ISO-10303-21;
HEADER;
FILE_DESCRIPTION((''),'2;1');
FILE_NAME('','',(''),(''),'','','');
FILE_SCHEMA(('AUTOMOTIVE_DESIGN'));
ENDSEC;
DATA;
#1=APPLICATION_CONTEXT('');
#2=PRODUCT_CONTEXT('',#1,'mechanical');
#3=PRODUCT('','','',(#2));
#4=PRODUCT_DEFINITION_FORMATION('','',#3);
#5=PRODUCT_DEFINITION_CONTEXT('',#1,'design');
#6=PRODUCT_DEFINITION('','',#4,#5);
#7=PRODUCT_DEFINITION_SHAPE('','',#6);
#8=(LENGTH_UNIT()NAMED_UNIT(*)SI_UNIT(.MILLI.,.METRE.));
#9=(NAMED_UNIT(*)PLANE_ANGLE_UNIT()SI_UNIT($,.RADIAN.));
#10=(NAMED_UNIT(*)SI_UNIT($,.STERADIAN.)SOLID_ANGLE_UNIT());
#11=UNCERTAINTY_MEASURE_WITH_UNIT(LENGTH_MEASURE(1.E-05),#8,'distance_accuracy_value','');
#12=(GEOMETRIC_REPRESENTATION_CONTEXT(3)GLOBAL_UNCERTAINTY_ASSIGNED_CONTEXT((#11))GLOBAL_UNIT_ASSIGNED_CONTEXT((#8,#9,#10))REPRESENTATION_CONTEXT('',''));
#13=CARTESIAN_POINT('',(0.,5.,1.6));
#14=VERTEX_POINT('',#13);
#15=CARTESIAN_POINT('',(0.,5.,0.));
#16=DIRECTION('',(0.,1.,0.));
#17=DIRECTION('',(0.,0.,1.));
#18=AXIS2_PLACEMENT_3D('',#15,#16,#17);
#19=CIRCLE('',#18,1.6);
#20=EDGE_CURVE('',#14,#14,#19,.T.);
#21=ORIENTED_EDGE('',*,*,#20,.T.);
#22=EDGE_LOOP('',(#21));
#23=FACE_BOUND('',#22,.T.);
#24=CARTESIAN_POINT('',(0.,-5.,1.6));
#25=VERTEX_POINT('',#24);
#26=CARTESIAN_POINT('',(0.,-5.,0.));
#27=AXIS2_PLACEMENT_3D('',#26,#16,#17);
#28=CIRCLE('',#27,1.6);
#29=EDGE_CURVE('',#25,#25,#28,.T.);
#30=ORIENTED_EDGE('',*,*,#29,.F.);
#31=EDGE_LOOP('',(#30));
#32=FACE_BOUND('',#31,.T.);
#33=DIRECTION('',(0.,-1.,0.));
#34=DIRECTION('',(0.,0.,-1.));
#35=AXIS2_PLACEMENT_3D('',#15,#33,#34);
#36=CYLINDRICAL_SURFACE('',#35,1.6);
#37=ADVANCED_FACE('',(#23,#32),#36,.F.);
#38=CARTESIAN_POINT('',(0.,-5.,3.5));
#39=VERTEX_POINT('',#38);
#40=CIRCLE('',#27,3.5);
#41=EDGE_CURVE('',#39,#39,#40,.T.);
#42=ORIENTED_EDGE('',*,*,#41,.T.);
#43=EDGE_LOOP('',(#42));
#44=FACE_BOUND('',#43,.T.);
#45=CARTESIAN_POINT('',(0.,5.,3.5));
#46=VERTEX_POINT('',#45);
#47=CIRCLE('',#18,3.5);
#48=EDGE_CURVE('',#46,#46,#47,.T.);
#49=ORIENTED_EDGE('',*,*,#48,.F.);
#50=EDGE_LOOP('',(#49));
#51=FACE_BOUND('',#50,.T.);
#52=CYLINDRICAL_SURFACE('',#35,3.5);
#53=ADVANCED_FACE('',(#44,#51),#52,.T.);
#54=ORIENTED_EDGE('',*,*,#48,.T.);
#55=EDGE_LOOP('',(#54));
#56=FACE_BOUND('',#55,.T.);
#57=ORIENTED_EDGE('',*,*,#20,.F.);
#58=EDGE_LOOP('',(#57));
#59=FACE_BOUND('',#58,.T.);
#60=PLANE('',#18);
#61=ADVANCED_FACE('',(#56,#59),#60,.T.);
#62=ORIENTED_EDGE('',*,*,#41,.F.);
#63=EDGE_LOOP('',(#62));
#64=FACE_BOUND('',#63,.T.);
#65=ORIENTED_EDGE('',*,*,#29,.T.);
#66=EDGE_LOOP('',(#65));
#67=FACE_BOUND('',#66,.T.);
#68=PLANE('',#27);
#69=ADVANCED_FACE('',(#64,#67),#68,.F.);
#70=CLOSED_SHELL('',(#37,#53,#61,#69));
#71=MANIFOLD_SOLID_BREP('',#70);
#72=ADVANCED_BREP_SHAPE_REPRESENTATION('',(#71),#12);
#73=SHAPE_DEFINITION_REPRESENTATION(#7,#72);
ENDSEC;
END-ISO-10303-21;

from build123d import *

# Parameters (mm, degrees)
SKETCH1_R           = 3.5
SKETCH1_R_2         = 1.6
BOSS_EXTRUDE1_DEPTH = 5


with BuildPart() as part:
    # Sketch1 → Boss-Extrude1 (new body, symmetric)
    with BuildSketch(Plane(origin=(0, 0, 0), x_dir=(1, 0, 0), z_dir=(0, 1, 0))):
        Circle(SKETCH1_R)
        Circle(SKETCH1_R_2, mode=Mode.SUBTRACT)
    extrude(amount=BOSS_EXTRUDE1_DEPTH, both=True)


solid = part.part
